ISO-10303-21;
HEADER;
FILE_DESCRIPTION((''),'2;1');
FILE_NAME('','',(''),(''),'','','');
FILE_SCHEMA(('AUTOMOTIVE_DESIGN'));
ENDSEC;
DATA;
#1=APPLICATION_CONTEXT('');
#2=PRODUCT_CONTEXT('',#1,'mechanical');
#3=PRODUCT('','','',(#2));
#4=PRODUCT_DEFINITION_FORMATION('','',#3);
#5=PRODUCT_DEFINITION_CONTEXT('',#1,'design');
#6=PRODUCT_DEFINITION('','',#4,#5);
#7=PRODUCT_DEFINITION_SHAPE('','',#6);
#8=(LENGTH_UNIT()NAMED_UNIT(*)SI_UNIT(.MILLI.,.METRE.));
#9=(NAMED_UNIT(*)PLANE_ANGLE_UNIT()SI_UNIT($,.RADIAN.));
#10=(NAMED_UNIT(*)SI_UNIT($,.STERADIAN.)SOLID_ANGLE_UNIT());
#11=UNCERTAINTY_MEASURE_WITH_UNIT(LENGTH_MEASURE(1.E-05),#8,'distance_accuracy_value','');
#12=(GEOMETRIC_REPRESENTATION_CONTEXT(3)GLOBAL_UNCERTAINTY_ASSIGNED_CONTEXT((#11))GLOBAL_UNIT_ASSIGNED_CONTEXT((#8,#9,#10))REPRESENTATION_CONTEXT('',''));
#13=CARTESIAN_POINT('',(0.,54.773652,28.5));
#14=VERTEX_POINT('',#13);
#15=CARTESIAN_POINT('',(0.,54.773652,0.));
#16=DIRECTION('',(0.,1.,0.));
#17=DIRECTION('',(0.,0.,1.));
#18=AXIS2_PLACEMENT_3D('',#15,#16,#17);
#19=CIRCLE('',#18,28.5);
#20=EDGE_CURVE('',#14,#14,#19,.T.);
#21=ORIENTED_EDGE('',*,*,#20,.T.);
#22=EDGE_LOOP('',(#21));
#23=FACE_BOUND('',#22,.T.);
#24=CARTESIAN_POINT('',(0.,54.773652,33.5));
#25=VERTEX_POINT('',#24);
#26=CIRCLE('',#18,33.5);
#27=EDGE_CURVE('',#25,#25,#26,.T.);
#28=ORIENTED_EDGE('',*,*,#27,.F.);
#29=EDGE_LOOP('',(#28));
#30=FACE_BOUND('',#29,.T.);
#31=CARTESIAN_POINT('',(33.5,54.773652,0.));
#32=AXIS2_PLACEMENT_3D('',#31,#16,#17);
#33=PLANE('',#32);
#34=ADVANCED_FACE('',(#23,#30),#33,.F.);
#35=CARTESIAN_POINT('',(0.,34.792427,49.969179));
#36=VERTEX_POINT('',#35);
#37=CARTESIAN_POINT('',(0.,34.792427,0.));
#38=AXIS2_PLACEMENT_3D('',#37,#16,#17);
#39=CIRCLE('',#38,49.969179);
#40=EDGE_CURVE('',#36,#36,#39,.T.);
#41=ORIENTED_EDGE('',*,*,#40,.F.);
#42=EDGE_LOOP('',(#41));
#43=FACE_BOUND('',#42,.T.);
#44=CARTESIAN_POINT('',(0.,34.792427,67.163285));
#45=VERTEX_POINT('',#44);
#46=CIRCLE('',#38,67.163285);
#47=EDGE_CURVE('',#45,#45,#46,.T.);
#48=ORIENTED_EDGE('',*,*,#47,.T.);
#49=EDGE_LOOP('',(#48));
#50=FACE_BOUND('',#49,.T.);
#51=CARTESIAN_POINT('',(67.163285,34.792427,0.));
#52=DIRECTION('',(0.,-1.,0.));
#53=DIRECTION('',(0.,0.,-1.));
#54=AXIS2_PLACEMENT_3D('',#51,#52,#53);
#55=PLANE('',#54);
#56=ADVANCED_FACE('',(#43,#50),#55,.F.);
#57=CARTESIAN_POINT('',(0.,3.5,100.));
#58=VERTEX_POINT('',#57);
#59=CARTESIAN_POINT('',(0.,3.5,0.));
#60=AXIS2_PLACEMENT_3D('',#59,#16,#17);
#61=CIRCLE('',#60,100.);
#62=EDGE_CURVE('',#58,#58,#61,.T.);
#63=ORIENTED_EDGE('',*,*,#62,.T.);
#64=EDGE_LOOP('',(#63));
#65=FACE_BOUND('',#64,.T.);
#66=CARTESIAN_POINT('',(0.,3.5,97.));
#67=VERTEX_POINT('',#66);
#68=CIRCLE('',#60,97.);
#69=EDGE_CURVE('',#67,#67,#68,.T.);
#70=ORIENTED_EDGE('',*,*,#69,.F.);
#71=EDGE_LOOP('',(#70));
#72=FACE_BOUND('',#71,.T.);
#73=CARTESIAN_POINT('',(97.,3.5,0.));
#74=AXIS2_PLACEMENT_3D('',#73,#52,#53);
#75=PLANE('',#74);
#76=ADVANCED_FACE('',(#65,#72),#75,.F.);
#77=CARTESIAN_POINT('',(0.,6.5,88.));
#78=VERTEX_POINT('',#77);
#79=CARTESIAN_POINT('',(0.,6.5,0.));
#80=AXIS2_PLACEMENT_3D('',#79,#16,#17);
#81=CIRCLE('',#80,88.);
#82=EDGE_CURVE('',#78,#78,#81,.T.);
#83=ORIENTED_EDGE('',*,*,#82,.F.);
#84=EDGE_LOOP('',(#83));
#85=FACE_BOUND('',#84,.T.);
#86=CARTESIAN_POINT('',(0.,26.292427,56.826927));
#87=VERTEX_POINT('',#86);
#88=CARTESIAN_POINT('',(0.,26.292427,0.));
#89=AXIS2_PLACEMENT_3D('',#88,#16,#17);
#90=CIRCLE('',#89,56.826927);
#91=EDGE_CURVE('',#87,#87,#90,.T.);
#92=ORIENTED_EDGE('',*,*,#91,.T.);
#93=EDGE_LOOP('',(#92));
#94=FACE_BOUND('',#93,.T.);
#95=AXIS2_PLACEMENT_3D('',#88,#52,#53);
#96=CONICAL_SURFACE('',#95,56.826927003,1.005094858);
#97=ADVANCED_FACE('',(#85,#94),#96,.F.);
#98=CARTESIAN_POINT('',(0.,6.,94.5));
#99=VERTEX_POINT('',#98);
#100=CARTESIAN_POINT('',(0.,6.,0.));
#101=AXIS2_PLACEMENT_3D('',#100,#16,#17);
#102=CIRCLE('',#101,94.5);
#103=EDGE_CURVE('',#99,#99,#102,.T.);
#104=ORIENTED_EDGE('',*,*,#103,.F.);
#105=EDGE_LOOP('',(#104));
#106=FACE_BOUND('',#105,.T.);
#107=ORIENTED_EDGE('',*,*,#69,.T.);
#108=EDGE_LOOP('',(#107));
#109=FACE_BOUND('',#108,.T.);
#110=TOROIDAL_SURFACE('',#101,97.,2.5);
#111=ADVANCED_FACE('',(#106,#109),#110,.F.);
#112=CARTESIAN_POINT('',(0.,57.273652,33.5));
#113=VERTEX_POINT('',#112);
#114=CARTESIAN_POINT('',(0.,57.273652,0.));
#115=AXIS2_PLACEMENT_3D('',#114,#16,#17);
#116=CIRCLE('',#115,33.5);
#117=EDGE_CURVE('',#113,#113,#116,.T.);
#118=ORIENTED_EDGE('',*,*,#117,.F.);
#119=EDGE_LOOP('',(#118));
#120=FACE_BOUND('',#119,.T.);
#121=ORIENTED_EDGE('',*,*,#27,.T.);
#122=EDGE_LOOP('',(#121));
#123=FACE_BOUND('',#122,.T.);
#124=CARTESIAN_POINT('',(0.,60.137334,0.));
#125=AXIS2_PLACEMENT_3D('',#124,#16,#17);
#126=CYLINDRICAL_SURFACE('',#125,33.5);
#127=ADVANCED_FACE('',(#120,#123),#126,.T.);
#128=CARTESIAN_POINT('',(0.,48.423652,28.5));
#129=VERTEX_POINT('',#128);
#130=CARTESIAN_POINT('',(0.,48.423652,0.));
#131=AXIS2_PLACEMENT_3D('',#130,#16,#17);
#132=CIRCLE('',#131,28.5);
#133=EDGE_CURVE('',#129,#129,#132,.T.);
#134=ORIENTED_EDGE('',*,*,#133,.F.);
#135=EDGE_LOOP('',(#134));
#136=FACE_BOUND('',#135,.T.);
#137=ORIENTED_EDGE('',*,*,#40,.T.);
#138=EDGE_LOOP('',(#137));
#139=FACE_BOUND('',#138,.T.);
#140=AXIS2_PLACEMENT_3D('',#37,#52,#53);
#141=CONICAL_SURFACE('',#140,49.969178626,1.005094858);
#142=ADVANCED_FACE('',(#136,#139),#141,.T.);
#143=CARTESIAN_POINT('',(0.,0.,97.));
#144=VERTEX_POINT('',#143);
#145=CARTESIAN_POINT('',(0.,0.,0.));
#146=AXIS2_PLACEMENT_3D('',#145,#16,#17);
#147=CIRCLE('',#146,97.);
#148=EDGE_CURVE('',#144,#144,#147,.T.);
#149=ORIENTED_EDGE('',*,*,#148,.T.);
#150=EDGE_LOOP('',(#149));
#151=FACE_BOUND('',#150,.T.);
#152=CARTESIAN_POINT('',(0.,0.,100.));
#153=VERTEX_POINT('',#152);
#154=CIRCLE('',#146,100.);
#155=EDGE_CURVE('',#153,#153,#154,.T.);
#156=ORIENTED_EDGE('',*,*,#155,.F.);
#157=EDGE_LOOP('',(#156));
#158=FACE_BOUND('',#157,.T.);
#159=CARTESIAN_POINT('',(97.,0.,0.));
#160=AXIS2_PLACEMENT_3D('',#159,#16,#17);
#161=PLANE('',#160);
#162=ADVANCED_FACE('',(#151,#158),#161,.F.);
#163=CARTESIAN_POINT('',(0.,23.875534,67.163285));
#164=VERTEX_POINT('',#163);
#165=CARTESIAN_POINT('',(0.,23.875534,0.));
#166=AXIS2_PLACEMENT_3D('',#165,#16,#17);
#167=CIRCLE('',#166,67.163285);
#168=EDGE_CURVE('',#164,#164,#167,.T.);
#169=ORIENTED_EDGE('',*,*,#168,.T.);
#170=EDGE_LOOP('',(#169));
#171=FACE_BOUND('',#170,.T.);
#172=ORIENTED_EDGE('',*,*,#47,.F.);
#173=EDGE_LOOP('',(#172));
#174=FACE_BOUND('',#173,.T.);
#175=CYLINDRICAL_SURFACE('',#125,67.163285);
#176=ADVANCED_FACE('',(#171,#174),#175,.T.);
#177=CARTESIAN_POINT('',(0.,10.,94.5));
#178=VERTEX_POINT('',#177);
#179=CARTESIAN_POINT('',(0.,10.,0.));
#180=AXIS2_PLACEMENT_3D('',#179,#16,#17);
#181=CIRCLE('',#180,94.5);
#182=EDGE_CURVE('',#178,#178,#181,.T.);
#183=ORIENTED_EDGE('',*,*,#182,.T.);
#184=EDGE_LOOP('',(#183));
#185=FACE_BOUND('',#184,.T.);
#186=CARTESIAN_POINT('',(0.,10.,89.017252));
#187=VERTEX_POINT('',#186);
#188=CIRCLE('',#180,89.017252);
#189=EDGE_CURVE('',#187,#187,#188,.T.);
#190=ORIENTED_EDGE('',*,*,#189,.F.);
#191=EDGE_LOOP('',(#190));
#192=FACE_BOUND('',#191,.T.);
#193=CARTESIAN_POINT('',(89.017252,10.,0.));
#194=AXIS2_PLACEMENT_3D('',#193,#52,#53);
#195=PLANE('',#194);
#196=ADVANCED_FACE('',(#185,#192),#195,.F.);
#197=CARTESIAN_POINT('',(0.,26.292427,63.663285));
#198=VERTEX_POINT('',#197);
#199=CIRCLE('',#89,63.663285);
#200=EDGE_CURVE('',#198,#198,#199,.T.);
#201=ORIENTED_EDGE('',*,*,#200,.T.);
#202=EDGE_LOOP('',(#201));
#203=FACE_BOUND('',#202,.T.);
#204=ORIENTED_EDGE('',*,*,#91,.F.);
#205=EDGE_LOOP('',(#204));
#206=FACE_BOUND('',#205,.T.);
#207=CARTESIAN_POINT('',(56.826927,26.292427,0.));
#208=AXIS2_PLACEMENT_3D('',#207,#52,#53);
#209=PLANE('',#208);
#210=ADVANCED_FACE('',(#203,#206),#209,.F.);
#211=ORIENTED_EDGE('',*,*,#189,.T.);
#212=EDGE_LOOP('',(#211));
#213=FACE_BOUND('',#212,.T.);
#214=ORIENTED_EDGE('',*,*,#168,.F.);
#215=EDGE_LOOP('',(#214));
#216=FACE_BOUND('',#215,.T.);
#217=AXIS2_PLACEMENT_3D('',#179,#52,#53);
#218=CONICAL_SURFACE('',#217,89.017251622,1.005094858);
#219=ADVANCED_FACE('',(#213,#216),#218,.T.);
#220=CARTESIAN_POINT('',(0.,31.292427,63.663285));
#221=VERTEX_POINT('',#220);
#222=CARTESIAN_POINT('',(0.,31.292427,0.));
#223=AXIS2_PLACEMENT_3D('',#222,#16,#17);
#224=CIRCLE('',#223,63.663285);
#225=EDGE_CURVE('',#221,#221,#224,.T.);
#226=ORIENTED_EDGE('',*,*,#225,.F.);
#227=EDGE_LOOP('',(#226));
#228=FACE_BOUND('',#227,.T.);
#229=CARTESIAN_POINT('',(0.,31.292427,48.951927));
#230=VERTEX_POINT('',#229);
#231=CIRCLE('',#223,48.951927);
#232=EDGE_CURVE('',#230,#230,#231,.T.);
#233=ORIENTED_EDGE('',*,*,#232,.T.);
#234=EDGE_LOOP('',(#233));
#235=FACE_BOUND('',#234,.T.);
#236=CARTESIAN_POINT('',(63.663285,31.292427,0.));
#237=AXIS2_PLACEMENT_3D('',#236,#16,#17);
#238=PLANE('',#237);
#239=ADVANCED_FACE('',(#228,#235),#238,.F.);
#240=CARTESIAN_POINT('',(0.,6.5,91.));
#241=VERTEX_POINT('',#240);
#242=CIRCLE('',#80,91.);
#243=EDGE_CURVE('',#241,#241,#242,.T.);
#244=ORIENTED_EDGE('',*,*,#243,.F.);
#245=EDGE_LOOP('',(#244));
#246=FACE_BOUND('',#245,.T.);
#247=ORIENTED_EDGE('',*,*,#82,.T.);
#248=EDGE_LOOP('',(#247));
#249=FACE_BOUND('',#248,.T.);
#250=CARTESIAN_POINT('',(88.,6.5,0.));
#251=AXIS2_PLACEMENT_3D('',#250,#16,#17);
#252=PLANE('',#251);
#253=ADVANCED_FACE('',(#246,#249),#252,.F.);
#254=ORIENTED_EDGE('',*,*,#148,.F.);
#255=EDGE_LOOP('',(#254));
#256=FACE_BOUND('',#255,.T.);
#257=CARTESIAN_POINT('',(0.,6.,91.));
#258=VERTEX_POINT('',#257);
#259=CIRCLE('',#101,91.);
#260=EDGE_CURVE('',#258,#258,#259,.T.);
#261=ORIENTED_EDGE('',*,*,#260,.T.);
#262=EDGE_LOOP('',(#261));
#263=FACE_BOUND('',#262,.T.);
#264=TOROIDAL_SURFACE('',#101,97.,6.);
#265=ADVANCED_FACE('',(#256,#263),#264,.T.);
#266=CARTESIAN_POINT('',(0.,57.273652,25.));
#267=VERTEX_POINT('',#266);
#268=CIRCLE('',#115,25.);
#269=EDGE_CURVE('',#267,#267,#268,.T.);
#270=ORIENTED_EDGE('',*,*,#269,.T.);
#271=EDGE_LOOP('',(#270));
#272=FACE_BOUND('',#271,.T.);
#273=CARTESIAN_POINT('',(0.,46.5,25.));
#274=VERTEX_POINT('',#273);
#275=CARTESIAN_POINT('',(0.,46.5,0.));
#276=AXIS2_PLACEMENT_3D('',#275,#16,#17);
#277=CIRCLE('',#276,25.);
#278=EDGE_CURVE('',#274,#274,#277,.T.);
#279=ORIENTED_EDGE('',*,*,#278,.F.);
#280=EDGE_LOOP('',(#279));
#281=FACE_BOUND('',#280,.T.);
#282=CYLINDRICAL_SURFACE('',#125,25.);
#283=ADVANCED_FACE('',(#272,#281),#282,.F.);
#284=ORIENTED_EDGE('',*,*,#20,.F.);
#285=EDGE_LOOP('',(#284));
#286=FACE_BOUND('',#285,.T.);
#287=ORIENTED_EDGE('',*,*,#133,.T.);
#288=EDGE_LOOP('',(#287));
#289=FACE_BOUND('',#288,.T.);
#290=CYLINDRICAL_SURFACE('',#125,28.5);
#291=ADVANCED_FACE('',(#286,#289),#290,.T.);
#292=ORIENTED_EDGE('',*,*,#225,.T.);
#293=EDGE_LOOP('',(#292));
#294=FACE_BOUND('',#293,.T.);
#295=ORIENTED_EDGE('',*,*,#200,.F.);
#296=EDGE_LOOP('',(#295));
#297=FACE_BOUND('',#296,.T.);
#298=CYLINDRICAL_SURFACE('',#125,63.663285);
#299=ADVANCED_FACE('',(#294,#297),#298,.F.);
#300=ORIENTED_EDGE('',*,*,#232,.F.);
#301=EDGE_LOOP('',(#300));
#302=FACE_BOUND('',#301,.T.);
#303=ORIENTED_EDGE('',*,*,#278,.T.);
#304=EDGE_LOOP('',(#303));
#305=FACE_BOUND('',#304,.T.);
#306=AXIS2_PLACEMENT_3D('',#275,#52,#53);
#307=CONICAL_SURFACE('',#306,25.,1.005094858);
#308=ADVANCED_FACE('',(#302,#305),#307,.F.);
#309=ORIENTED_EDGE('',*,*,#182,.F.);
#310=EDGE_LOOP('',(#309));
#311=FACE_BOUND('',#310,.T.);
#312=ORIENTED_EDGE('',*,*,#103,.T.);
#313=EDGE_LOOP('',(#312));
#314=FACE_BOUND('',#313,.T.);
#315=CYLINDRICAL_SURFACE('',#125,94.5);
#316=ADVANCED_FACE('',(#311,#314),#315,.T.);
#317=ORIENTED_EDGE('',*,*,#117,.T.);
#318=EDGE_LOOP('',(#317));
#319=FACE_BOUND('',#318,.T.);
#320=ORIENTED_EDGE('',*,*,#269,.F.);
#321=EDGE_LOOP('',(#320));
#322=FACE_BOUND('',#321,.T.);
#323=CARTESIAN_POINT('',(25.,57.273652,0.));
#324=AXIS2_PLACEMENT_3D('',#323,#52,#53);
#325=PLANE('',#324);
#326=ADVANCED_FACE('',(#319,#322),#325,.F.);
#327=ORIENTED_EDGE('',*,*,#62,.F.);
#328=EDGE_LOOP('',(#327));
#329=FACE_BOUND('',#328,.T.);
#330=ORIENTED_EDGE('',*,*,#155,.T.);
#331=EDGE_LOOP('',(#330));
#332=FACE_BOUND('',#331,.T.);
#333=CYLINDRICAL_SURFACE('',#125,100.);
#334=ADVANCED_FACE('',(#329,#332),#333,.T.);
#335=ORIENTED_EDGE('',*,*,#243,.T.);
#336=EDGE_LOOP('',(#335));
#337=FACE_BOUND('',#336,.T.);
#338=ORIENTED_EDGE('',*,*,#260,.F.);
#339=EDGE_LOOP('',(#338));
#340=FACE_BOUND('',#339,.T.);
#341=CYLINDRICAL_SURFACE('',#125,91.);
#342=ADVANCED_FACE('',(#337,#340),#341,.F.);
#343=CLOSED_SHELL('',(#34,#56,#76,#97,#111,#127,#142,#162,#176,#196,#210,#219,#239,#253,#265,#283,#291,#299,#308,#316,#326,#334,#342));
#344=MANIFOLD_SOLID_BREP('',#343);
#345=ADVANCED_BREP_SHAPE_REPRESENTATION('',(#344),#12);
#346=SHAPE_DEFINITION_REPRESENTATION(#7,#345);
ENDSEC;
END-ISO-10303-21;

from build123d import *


with BuildPart() as part:
    # Sketch1 → Revolve1 (revolve)
    with BuildSketch(Plane.XY, mode=Mode.PRIVATE) as revolve1_sk:
        with BuildLine():
            Line((88, 6.5), (56.826927003, 26.292427299))
            Line((56.826927003, 26.292427299), (63.663285359, 26.292427299))
            Line((63.663285359, 26.292427299), (63.663285359, 31.292427299))
            Line((63.663285359, 31.292427299), (48.951927003, 31.292427299))
            Line((48.951927003, 31.292427299), (25, 46.5))
            Line((25, 46.5), (25, 57.273651824))
            Line((25, 57.273651824), (33.5, 57.273651824))
            Line((33.5, 57.273651824), (33.5, 54.773651824))
            Line((33.5, 54.773651824), (28.5, 54.773651824))
            Line((28.5, 54.773651824), (28.5, 48.423651824))
            Line((28.5, 48.423651824), (49.969178626, 34.792427299))
            Line((49.969178626, 34.792427299), (67.163285359, 34.792427299))
            Line((67.163285359, 34.792427299), (67.163285359, 23.875534136))
            Line((67.163285359, 23.875534136), (89.017251622, 10))
            Line((89.017251622, 10), (94.5, 10))
            Line((94.5, 10), (94.5, 6))
            ThreePointArc((94.5, 6), (95.232233047, 4.232233047), (97, 3.5))
            Line((97, 3.5), (100, 3.5))
            Line((100, 3.5), (100, 0))
            Line((100, 0), (97, 0))
            ThreePointArc((97, 0), (92.757359313, 1.757359313), (91, 6))
            Line((91, 6), (91, 6.5))
            Line((91, 6.5), (88, 6.5))
        make_face()
    revolve(revolve1_sk.sketch.rotate(Axis((0, 60.137334415, 0), (0, -1, 0)), 90), axis=Axis((0, 60.137334415, 0), (0, -1, 0)))


solid = part.part
